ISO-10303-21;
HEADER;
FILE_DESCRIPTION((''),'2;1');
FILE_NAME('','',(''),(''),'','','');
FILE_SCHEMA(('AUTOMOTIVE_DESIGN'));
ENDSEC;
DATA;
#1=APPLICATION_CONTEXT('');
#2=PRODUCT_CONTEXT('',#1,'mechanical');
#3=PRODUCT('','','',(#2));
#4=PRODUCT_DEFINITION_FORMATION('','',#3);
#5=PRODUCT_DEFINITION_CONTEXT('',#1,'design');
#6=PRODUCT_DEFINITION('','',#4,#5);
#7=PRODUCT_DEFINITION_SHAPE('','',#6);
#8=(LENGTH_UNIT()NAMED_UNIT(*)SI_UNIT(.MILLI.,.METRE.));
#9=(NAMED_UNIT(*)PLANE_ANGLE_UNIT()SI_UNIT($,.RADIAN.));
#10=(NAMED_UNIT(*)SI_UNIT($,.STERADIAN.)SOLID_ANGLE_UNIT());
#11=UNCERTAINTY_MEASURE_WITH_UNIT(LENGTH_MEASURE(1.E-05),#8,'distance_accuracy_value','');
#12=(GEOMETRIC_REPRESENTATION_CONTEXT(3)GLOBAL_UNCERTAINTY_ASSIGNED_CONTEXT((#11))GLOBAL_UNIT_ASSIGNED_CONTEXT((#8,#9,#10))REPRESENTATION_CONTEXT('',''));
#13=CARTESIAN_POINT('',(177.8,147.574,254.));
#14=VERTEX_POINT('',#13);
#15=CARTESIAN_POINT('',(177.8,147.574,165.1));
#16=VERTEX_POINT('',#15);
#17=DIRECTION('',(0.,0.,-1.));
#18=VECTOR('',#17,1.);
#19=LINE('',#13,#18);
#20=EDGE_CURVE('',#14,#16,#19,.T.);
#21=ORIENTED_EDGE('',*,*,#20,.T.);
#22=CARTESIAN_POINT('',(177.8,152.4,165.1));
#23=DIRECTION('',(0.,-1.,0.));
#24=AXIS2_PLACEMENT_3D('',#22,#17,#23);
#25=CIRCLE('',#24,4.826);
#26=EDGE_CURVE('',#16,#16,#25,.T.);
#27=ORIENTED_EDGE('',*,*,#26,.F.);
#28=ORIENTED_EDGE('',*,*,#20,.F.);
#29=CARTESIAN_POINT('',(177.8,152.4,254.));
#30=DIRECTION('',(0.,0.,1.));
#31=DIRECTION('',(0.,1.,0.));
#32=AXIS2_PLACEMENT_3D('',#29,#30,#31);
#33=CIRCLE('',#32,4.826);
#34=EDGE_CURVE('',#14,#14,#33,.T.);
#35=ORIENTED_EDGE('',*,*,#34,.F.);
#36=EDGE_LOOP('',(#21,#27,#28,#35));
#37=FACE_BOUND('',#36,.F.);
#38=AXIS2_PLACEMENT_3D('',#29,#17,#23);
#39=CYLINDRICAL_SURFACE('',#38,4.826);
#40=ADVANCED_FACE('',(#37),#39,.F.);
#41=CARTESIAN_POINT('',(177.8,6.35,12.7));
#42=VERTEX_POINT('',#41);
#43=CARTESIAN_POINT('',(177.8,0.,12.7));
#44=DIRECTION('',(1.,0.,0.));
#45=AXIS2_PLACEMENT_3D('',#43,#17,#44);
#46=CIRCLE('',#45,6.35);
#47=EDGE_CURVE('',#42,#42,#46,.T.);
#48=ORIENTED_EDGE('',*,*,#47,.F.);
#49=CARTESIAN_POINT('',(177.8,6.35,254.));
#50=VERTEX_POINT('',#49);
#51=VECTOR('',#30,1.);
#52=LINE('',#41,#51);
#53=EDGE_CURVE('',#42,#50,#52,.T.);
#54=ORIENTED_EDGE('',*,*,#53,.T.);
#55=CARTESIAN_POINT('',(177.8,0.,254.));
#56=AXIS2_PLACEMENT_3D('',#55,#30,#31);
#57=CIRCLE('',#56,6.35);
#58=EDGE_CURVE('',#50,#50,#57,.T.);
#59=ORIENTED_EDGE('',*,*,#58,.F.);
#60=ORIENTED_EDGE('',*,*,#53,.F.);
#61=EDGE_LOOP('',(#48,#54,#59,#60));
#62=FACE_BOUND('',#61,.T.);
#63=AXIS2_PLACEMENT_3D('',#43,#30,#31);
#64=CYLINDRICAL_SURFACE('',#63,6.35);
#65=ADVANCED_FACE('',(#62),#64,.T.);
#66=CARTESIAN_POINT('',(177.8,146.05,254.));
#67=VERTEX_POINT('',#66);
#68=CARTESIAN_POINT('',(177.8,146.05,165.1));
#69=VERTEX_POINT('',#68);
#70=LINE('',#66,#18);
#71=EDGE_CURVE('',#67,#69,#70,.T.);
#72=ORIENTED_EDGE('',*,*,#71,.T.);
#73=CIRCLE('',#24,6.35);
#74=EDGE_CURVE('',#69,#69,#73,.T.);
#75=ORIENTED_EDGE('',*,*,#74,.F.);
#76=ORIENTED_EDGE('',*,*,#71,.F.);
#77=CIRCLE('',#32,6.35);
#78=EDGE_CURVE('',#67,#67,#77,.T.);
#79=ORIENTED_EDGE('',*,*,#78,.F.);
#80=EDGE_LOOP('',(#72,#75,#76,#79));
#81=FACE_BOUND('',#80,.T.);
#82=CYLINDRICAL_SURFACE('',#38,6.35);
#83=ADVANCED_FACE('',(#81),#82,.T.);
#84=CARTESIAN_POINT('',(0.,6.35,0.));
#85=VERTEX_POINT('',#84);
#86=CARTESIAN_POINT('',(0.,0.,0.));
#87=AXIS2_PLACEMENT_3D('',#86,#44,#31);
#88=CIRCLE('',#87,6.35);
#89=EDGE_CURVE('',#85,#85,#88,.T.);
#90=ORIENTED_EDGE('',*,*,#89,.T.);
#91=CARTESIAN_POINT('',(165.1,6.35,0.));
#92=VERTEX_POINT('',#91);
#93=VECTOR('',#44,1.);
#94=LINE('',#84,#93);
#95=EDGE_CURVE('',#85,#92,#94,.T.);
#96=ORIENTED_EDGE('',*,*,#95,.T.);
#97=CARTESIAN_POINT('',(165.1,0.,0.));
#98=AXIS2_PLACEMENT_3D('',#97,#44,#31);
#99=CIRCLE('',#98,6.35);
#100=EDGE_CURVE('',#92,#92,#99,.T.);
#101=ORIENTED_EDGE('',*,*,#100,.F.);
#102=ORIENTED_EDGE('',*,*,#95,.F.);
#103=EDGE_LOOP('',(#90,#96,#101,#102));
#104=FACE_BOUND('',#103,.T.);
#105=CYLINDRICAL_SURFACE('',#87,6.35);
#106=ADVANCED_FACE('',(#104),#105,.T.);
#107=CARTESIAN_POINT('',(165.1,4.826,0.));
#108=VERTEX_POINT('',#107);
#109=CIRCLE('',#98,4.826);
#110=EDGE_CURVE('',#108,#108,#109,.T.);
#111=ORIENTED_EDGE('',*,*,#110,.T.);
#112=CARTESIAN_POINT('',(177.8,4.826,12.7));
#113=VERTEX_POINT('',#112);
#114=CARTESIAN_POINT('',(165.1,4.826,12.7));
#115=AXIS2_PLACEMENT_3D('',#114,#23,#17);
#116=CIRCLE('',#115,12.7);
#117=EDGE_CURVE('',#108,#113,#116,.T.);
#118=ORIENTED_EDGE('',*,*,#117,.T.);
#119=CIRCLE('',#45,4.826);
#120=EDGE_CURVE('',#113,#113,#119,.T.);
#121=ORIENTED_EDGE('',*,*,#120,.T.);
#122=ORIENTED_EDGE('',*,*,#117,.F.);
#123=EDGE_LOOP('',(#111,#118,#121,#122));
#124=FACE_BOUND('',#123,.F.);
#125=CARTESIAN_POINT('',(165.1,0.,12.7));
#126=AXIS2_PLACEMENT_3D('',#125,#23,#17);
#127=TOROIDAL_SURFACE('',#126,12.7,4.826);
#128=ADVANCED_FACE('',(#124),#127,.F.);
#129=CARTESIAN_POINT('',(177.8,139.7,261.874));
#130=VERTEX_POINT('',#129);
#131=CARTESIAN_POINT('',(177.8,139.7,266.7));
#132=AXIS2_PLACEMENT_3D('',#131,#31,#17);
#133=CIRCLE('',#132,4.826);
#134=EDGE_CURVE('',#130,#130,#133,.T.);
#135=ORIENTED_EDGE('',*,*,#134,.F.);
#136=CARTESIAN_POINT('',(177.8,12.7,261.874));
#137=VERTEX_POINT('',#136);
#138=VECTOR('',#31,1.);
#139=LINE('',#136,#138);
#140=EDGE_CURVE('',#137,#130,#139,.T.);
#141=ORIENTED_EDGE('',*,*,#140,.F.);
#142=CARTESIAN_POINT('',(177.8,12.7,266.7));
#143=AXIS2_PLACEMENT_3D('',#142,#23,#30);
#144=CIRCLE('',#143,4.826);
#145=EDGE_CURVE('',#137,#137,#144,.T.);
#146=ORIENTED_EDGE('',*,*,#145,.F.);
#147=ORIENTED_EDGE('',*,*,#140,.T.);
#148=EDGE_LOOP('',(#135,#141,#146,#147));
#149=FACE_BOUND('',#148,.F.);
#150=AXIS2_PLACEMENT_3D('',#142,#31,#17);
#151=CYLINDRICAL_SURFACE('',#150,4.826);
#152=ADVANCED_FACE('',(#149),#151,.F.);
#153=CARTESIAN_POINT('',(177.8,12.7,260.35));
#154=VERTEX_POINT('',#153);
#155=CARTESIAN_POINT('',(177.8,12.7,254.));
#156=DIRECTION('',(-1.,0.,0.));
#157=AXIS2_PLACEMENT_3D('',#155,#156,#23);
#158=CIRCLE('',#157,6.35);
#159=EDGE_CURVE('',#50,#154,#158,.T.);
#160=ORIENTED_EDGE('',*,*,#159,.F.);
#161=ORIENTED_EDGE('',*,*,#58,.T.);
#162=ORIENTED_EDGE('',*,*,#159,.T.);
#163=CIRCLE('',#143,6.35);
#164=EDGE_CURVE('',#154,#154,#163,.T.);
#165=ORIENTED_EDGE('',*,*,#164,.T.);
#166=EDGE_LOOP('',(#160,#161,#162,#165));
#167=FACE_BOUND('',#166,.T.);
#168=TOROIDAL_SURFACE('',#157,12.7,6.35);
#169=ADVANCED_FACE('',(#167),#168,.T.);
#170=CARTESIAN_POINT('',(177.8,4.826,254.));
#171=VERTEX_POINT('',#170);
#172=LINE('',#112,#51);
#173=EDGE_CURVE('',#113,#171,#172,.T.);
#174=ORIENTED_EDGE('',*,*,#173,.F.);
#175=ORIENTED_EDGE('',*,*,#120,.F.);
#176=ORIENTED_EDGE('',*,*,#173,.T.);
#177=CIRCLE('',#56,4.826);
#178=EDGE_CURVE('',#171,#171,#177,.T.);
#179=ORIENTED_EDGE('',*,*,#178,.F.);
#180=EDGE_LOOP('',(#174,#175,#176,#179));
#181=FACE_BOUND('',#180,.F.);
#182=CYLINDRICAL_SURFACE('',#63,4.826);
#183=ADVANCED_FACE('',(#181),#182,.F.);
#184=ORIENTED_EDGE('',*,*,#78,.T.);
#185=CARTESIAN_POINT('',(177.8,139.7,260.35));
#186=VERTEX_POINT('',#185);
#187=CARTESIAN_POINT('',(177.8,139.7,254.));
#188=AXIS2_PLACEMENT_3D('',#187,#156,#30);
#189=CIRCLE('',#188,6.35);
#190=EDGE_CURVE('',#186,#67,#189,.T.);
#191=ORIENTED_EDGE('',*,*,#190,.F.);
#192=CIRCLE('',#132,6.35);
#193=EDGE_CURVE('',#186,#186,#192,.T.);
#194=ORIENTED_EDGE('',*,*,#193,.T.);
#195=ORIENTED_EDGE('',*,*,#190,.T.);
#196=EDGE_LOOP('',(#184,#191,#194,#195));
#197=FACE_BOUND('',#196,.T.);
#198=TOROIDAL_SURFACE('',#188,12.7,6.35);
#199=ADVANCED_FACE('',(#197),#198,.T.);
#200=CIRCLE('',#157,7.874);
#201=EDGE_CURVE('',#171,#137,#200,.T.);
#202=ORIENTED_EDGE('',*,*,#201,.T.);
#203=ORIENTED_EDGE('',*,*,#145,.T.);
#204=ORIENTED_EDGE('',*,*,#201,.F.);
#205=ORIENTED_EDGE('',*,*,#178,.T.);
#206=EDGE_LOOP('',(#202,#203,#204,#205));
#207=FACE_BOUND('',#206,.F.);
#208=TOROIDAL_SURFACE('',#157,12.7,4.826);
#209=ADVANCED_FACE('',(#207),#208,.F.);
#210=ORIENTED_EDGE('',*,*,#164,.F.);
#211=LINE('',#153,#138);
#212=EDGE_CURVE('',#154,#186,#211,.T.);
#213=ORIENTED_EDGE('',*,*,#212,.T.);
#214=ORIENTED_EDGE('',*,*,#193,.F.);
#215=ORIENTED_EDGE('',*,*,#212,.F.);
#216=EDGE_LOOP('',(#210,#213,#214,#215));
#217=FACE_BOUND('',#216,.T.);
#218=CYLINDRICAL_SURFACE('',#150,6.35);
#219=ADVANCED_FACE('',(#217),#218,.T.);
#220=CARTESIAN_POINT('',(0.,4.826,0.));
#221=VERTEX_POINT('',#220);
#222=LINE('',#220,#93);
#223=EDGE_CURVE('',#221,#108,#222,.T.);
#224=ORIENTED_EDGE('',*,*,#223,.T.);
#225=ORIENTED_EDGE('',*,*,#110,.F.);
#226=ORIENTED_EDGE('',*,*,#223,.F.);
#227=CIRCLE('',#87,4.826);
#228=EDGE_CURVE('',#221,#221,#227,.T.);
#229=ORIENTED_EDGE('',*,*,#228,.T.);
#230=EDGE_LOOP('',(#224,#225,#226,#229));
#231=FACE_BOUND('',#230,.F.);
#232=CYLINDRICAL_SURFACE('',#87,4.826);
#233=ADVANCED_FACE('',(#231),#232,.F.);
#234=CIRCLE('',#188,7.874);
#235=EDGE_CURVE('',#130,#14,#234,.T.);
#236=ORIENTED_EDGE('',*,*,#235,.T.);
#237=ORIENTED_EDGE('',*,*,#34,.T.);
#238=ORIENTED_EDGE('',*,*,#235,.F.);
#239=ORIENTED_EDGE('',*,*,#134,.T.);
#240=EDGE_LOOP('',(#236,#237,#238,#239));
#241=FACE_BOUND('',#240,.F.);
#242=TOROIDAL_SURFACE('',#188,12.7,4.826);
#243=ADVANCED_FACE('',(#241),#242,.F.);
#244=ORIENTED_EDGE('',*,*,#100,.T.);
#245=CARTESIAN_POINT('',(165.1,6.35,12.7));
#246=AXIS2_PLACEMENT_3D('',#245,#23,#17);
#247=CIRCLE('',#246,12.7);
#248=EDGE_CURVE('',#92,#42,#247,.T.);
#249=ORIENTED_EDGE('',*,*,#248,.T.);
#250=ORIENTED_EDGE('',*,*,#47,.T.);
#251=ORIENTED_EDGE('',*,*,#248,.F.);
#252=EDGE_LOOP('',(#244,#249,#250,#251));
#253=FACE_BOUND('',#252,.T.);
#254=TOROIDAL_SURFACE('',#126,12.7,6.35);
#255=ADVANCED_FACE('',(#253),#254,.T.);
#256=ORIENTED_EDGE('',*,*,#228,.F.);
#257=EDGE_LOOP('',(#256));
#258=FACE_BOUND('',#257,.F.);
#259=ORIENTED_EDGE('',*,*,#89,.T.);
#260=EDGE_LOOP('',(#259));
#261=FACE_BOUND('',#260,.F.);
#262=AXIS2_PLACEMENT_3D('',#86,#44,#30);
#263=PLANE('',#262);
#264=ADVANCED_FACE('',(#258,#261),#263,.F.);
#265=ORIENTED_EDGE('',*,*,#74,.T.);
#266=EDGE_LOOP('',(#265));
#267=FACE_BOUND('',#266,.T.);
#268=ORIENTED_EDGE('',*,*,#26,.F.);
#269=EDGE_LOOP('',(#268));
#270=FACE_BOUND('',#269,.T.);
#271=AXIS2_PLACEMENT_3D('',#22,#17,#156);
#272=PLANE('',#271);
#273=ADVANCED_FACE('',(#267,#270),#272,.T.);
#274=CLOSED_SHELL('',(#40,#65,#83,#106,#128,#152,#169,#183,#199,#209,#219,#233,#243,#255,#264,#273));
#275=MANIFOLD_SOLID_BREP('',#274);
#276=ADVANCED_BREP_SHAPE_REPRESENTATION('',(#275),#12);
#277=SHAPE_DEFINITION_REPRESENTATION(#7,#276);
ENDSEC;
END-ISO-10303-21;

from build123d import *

# Parameters (mm, degrees)
F3_R   = 6.35
F3_R_2 = 4.826


with BuildPart() as f4:
    # F4: sweep along a path in F0, F2
    with BuildLine(Plane.XZ) as f4_path:
        Line((0, 0), (165.1, 0))
        ThreePointArc((165.1, 0), (174.0802561211, 3.7197438789), (177.8, 12.7))
        Line((177.8, 12.7), (177.8, 114.1142398119))
    with BuildLine(Plane.YZ.offset(177.8)) as f4_path_2:
        Line((0, 114.1142398119), (0, 254))
        ThreePointArc((0, 254), (3.7197438789, 262.9802561211), (12.7, 266.7))
        Line((12.7, 266.7), (139.7, 266.7))
        ThreePointArc((139.7, 266.7), (148.6802561211, 262.9802561211), (152.4, 254))
        Line((152.4, 254), (152.4, 165.1))
    # F3 (on Right) → F4 (sweep)
    with BuildSketch(Plane.YZ):
        Circle(F3_R)
        Circle(F3_R_2, mode=Mode.SUBTRACT)
    sweep(path=f4_path.line + f4_path_2.line)


solid = f4.part
